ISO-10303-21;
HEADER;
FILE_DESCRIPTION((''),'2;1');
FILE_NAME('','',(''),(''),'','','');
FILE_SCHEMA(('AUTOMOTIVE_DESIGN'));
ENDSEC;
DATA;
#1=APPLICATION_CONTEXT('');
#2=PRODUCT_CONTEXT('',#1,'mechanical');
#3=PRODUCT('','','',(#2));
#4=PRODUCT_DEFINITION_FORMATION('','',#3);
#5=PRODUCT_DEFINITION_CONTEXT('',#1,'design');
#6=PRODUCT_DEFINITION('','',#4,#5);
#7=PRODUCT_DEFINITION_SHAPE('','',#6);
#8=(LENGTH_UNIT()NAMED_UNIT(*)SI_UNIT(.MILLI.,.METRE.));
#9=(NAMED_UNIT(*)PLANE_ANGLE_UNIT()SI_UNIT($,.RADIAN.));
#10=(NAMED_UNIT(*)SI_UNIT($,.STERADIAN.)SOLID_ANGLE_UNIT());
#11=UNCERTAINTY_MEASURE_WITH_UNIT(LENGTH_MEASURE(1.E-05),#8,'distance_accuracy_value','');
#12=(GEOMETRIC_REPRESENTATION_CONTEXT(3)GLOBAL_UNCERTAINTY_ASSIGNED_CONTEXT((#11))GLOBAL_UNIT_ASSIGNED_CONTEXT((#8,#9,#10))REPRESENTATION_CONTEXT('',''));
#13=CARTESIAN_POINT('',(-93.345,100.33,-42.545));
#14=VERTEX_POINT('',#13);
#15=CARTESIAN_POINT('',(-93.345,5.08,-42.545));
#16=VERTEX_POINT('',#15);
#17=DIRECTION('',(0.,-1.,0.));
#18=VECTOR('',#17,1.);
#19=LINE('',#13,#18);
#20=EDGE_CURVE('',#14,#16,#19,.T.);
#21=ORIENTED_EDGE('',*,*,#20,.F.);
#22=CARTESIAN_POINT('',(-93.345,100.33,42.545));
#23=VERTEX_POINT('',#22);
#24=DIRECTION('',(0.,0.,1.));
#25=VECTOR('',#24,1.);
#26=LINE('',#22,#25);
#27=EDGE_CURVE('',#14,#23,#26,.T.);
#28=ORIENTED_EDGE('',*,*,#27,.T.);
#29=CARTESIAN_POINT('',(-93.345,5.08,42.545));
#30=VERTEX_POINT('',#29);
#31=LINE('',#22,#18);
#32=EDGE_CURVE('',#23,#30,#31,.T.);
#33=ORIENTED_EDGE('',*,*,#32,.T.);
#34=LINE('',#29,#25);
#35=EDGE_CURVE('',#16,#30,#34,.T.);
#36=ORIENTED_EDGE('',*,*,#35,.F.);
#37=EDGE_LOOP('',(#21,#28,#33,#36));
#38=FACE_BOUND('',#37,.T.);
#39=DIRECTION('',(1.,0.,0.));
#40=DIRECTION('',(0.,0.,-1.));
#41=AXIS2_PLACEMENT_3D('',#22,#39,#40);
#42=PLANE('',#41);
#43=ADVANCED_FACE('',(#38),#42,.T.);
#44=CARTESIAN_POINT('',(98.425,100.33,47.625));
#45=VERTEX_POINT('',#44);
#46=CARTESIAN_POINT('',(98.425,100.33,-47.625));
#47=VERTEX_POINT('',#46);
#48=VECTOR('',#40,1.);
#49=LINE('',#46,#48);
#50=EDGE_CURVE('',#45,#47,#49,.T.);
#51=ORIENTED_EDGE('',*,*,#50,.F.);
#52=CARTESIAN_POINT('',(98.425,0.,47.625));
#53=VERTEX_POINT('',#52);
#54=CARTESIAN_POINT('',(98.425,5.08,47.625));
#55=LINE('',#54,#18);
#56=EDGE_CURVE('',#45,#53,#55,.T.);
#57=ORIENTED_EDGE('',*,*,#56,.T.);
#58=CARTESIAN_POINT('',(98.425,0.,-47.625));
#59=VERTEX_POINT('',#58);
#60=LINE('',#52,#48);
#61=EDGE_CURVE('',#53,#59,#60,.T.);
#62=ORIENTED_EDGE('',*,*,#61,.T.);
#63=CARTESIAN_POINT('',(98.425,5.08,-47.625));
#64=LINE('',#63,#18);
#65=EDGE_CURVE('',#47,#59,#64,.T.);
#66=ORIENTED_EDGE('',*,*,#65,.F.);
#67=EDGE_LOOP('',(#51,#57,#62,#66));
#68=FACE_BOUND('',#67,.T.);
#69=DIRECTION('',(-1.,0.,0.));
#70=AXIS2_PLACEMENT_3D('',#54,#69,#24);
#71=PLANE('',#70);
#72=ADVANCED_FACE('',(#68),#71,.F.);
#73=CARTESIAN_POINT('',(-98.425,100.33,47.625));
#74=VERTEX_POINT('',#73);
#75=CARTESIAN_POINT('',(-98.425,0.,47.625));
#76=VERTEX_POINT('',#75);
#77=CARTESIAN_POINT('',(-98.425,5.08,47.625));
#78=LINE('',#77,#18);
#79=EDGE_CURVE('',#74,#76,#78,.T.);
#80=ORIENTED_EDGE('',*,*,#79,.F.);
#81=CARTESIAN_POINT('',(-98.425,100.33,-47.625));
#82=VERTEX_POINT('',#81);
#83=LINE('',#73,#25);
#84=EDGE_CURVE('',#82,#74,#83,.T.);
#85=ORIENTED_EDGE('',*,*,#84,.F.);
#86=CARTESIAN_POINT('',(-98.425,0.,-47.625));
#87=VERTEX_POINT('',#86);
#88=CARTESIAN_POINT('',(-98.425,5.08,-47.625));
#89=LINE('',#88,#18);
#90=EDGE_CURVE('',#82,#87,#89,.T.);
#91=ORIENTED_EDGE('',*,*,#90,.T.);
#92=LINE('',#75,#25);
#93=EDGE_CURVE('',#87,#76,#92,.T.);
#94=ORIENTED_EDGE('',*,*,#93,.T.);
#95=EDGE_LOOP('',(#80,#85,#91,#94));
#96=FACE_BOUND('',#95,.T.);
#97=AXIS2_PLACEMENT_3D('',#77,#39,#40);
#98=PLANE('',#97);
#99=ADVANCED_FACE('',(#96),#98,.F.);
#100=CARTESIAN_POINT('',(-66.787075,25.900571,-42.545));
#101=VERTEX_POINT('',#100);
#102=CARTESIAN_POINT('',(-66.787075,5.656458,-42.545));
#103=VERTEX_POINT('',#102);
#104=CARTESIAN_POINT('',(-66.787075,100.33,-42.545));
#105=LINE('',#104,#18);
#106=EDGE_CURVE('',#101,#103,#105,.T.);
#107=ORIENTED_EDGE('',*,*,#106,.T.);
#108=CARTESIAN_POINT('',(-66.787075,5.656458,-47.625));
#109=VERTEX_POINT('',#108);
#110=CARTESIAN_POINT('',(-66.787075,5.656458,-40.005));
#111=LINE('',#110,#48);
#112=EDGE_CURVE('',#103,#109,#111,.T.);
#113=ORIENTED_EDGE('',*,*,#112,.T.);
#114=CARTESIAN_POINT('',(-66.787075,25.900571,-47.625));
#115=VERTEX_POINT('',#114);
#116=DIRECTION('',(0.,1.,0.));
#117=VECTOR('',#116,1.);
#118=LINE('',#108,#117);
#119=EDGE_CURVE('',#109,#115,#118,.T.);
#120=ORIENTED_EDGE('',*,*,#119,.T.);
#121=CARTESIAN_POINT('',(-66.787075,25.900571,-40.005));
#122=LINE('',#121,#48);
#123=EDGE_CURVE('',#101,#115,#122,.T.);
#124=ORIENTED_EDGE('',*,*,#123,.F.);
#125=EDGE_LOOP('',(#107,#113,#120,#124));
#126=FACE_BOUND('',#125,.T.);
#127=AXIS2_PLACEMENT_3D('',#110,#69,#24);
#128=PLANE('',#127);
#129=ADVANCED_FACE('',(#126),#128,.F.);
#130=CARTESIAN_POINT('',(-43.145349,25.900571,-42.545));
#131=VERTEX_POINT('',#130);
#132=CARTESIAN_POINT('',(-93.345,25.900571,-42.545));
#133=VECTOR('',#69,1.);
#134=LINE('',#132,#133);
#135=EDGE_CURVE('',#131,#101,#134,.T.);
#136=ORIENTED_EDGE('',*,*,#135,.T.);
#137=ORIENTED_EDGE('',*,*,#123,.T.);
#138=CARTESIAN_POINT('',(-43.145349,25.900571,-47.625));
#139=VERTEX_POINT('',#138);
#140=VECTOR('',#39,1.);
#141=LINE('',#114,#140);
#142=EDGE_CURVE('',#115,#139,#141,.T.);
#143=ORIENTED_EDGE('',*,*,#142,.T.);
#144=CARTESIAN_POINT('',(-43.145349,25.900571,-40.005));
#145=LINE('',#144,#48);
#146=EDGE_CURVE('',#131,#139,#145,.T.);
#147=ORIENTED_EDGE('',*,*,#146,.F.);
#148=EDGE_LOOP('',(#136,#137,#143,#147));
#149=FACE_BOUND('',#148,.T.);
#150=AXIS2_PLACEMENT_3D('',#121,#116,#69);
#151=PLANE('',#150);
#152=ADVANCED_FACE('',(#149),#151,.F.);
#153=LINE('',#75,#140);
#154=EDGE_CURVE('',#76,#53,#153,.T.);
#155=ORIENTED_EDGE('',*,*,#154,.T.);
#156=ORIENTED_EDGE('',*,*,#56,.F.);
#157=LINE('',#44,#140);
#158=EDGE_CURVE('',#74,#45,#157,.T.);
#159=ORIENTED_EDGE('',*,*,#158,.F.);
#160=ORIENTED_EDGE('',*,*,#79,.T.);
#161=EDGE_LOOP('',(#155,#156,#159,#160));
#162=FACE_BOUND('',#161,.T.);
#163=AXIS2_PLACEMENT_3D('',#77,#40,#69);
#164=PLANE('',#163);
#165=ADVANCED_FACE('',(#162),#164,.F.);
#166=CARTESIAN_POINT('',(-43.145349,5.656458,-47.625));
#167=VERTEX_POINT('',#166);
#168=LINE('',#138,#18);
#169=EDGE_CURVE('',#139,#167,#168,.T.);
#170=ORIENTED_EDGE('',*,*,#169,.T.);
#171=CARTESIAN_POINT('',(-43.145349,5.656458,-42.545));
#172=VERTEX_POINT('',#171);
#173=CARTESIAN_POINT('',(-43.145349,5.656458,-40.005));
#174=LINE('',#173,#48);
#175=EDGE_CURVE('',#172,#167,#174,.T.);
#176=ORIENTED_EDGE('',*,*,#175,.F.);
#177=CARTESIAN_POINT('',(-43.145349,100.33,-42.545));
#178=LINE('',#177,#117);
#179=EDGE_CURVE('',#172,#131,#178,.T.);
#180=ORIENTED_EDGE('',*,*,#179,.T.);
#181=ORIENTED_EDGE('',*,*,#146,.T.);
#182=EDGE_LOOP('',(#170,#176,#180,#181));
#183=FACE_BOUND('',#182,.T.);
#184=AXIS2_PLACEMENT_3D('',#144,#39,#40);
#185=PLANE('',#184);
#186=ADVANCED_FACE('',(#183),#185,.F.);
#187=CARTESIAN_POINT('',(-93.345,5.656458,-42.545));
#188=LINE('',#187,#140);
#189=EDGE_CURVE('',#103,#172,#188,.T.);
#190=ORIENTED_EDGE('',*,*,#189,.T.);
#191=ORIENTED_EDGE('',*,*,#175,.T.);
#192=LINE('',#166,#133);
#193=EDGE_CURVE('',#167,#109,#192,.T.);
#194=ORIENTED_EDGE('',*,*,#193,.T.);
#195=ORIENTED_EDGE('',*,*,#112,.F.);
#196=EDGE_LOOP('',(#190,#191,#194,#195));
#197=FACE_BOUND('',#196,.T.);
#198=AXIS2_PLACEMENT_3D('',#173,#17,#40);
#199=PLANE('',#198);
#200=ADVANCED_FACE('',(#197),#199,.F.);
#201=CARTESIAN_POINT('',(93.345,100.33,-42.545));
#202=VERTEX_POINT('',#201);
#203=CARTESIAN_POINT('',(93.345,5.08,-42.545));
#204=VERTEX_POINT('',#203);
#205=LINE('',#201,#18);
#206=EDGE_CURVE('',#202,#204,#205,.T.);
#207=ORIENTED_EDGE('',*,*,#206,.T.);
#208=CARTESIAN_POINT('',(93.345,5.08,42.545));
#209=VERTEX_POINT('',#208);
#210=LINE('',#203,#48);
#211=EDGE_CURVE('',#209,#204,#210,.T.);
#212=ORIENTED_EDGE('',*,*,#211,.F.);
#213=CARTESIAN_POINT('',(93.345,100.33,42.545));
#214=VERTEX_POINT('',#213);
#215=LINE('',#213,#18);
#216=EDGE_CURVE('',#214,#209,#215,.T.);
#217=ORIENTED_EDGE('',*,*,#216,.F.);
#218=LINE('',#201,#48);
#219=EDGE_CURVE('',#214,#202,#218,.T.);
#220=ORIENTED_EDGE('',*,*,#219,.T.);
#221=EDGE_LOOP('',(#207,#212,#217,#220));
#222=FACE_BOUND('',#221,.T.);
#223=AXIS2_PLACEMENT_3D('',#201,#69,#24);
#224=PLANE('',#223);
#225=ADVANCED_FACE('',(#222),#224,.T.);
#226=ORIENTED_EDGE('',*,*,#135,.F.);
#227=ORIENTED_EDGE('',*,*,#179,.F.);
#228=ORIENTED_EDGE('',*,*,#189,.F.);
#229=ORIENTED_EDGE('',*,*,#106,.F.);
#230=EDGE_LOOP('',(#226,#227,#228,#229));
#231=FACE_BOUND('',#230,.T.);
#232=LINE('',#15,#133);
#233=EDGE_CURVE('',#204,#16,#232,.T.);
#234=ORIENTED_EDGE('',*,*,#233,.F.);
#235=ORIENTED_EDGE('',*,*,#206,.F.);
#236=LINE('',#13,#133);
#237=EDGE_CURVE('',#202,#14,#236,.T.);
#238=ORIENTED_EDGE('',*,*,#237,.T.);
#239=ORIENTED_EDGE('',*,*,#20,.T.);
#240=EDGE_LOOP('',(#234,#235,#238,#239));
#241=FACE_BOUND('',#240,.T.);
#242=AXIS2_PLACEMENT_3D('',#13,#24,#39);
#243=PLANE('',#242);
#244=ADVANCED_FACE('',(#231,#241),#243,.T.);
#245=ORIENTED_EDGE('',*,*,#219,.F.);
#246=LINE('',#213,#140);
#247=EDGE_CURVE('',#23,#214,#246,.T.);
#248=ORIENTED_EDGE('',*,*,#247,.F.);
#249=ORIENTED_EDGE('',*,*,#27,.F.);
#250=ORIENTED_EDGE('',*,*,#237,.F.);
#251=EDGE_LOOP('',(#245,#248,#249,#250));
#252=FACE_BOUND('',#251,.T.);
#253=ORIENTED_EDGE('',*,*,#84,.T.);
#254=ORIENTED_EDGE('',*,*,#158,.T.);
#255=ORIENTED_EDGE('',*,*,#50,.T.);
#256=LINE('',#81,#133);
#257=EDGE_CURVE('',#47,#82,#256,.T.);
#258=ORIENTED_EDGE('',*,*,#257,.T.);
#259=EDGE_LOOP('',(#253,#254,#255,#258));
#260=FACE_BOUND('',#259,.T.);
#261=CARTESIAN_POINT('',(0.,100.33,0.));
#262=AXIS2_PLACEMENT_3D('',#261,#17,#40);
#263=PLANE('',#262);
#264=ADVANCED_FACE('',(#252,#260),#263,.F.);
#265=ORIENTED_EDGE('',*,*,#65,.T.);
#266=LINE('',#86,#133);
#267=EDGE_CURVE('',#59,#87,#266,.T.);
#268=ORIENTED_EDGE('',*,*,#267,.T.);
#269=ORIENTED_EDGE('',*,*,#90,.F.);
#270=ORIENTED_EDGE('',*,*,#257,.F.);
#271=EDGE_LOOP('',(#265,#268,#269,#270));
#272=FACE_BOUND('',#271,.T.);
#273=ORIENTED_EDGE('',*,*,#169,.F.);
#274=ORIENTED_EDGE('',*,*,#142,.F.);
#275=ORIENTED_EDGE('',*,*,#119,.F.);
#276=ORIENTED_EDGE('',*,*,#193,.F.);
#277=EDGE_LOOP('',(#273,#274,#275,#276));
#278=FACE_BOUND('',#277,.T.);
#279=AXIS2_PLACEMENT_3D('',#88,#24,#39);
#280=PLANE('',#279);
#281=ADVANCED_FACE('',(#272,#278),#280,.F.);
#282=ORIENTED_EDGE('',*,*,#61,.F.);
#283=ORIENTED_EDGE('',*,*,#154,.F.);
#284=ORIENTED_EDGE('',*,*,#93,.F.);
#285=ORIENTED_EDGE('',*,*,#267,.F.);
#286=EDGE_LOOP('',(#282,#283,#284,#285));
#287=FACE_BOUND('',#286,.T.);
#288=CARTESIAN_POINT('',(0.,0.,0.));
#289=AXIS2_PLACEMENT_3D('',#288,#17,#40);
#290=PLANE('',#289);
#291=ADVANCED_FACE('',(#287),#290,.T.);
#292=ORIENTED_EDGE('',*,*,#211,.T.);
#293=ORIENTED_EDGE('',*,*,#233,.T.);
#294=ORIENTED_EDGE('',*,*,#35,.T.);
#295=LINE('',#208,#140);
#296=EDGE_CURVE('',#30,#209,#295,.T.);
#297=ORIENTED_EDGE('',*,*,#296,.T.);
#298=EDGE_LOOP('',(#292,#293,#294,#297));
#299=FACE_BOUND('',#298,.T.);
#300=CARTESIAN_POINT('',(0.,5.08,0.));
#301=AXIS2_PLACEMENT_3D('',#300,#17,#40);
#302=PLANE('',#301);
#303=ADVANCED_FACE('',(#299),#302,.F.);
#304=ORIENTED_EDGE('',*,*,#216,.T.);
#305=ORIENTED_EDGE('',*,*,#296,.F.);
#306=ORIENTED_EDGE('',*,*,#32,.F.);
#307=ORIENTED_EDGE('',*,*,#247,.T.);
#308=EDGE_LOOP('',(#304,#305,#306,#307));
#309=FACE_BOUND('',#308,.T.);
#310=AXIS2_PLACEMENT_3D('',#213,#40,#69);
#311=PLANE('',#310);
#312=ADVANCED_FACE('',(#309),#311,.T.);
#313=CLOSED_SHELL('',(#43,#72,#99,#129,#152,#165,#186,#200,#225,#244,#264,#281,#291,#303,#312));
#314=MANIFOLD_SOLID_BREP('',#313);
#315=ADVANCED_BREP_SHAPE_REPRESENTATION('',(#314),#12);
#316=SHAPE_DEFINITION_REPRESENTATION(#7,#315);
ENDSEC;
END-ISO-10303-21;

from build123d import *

# Parameters (mm, degrees)
SKETCH1_W           = 196.85
SKETCH1_H           = 95.25
BOSS_EXTRUDE1_DEPTH = 5.08
SKETCH2_W           = 196.85
SKETCH2_H           = 95.25
SKETCH2_W_2         = 186.69
SKETCH2_H_2         = 85.09
BOSS_EXTRUDE2_DEPTH = 95.25
SKETCH3_W           = 23.641725961
SKETCH3_H           = 20.24411265
CUT_EXTRUDE2_DEPTH  = 7.62


with BuildPart() as part:
    # Sketch1 → Boss-Extrude1 (new body)
    with BuildSketch(Plane(origin=(0, 0, 0), x_dir=(1, 0, 0), z_dir=(0, 1, 0))):
        Rectangle(SKETCH1_W, SKETCH1_H)
    extrude(amount=BOSS_EXTRUDE1_DEPTH)

    # Sketch2 → Boss-Extrude2 (add)
    with BuildSketch(Plane(origin=(0, 5.08, 0), x_dir=(1, 0, 0), z_dir=(0, 1, 0))):
        Rectangle(SKETCH2_W, SKETCH2_H)
        Rectangle(SKETCH2_W_2, SKETCH2_H_2, mode=Mode.SUBTRACT)
    extrude(amount=BOSS_EXTRUDE2_DEPTH)

    # Sketch3 → Cut-Extrude2 (cut)
    with BuildSketch(Plane(origin=(0, 0, -47.625), x_dir=(-1, 0, 0), z_dir=(0, 0, -1))):
        with Locations((54.966211615, 15.778514315)):
            Rectangle(SKETCH3_W, SKETCH3_H)
    extrude(amount=-CUT_EXTRUDE2_DEPTH, mode=Mode.SUBTRACT)


solid = part.part
